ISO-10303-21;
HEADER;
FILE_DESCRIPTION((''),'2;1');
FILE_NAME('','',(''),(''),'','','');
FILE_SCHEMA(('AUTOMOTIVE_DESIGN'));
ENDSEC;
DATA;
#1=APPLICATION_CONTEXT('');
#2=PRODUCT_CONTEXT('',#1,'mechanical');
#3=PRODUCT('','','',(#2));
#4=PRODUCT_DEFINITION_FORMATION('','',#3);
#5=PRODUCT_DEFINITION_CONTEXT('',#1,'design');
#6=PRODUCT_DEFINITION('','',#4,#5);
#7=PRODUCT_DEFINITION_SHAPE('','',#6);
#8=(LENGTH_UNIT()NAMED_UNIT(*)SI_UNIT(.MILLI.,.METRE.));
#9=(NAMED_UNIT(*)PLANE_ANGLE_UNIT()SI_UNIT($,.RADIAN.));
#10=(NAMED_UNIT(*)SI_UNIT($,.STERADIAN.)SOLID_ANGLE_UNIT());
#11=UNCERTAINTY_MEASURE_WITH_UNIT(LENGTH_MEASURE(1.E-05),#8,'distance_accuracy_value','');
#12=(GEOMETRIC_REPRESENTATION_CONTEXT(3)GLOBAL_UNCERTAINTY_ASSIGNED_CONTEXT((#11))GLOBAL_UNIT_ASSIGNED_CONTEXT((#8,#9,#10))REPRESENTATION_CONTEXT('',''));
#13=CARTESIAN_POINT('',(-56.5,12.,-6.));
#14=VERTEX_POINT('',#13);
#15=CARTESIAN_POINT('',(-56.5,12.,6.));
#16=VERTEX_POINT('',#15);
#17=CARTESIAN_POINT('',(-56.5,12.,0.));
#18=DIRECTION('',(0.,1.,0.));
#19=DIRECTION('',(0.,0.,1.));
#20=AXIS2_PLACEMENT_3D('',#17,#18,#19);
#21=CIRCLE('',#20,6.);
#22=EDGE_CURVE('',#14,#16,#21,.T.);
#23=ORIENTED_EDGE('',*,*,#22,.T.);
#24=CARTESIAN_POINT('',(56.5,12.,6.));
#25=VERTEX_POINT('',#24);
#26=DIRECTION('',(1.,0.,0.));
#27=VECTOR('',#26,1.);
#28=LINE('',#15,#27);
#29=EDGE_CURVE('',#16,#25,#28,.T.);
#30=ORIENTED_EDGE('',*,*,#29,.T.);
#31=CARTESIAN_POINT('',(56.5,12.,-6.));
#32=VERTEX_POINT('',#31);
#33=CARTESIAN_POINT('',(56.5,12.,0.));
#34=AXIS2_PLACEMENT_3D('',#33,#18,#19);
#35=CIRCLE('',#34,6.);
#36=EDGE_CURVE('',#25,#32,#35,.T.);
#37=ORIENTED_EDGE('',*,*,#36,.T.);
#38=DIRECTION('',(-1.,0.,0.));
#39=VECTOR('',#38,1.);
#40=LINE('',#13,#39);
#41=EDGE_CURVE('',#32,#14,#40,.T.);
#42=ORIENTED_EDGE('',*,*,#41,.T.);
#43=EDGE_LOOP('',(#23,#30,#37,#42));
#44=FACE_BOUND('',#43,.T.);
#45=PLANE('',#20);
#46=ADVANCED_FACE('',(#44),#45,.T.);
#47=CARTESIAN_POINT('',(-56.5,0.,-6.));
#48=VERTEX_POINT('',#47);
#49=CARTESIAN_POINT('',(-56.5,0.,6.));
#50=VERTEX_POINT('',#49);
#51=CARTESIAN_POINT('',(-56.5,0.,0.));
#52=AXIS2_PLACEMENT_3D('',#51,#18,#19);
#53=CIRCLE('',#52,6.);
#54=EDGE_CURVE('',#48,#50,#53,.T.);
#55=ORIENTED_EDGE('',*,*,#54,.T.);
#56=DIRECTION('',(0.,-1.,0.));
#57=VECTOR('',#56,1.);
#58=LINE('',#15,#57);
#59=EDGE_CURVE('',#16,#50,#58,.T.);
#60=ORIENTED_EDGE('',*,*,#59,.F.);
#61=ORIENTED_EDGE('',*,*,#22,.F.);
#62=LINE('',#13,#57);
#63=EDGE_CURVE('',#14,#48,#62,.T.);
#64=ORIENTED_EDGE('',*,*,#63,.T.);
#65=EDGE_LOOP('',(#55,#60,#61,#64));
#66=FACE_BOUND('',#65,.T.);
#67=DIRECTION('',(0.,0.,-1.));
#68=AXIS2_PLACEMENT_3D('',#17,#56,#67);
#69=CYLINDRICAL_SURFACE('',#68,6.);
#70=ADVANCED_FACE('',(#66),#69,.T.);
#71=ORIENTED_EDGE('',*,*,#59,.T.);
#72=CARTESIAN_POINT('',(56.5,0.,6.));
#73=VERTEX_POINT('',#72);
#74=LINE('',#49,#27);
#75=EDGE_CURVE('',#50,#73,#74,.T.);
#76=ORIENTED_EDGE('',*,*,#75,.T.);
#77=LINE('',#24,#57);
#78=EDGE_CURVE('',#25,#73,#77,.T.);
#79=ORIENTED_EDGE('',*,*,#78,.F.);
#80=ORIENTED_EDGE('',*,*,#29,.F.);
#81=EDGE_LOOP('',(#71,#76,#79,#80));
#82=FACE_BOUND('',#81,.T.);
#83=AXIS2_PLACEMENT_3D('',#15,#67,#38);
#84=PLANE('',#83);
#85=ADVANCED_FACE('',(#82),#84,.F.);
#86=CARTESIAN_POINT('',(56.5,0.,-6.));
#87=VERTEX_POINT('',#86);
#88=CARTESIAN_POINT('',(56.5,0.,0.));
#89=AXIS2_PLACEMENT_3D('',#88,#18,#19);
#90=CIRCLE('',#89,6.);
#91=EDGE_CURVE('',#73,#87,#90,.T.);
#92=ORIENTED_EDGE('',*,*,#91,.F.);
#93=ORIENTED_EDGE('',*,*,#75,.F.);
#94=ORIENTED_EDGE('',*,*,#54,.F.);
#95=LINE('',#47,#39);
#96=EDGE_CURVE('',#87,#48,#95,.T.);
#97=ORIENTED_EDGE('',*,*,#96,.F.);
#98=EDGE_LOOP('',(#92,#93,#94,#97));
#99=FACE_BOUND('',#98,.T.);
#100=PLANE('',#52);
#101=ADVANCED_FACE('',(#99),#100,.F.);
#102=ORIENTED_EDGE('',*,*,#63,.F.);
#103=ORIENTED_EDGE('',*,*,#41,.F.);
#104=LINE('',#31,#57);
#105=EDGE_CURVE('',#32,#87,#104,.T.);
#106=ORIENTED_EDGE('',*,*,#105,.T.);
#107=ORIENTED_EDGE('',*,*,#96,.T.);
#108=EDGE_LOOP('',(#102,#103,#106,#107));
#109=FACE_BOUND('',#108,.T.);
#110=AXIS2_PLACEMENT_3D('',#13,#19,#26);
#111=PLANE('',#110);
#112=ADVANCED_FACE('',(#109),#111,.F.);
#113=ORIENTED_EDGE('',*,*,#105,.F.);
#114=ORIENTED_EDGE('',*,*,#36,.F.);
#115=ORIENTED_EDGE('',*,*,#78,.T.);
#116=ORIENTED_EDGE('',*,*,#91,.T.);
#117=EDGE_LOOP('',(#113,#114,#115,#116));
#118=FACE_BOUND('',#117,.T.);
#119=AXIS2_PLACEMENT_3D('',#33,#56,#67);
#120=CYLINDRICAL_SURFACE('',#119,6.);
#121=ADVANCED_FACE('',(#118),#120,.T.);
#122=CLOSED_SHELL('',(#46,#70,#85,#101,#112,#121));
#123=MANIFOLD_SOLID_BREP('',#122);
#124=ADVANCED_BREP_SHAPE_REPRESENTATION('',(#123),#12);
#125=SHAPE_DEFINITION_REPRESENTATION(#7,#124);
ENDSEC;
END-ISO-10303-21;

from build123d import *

# Parameters (mm, degrees)
BOSS_EXTRUDE1_DEPTH = 12


with BuildPart() as part:
    # Sketch1 → Boss-Extrude1 (new body)
    with BuildSketch(Plane(origin=(0, 0, 0), x_dir=(1, 0, 0), z_dir=(0, 1, 0))):
        with BuildLine():
            Line((-56.5, 6), (56.5, 6))
            ThreePointArc((56.5, 6), (62.5, 0), (56.5, -6))
            Line((56.5, -6), (-56.5, -6))
            ThreePointArc((-56.5, -6), (-62.5, 0), (-56.5, 6))
        make_face()
    extrude(amount=BOSS_EXTRUDE1_DEPTH)


solid = part.part
